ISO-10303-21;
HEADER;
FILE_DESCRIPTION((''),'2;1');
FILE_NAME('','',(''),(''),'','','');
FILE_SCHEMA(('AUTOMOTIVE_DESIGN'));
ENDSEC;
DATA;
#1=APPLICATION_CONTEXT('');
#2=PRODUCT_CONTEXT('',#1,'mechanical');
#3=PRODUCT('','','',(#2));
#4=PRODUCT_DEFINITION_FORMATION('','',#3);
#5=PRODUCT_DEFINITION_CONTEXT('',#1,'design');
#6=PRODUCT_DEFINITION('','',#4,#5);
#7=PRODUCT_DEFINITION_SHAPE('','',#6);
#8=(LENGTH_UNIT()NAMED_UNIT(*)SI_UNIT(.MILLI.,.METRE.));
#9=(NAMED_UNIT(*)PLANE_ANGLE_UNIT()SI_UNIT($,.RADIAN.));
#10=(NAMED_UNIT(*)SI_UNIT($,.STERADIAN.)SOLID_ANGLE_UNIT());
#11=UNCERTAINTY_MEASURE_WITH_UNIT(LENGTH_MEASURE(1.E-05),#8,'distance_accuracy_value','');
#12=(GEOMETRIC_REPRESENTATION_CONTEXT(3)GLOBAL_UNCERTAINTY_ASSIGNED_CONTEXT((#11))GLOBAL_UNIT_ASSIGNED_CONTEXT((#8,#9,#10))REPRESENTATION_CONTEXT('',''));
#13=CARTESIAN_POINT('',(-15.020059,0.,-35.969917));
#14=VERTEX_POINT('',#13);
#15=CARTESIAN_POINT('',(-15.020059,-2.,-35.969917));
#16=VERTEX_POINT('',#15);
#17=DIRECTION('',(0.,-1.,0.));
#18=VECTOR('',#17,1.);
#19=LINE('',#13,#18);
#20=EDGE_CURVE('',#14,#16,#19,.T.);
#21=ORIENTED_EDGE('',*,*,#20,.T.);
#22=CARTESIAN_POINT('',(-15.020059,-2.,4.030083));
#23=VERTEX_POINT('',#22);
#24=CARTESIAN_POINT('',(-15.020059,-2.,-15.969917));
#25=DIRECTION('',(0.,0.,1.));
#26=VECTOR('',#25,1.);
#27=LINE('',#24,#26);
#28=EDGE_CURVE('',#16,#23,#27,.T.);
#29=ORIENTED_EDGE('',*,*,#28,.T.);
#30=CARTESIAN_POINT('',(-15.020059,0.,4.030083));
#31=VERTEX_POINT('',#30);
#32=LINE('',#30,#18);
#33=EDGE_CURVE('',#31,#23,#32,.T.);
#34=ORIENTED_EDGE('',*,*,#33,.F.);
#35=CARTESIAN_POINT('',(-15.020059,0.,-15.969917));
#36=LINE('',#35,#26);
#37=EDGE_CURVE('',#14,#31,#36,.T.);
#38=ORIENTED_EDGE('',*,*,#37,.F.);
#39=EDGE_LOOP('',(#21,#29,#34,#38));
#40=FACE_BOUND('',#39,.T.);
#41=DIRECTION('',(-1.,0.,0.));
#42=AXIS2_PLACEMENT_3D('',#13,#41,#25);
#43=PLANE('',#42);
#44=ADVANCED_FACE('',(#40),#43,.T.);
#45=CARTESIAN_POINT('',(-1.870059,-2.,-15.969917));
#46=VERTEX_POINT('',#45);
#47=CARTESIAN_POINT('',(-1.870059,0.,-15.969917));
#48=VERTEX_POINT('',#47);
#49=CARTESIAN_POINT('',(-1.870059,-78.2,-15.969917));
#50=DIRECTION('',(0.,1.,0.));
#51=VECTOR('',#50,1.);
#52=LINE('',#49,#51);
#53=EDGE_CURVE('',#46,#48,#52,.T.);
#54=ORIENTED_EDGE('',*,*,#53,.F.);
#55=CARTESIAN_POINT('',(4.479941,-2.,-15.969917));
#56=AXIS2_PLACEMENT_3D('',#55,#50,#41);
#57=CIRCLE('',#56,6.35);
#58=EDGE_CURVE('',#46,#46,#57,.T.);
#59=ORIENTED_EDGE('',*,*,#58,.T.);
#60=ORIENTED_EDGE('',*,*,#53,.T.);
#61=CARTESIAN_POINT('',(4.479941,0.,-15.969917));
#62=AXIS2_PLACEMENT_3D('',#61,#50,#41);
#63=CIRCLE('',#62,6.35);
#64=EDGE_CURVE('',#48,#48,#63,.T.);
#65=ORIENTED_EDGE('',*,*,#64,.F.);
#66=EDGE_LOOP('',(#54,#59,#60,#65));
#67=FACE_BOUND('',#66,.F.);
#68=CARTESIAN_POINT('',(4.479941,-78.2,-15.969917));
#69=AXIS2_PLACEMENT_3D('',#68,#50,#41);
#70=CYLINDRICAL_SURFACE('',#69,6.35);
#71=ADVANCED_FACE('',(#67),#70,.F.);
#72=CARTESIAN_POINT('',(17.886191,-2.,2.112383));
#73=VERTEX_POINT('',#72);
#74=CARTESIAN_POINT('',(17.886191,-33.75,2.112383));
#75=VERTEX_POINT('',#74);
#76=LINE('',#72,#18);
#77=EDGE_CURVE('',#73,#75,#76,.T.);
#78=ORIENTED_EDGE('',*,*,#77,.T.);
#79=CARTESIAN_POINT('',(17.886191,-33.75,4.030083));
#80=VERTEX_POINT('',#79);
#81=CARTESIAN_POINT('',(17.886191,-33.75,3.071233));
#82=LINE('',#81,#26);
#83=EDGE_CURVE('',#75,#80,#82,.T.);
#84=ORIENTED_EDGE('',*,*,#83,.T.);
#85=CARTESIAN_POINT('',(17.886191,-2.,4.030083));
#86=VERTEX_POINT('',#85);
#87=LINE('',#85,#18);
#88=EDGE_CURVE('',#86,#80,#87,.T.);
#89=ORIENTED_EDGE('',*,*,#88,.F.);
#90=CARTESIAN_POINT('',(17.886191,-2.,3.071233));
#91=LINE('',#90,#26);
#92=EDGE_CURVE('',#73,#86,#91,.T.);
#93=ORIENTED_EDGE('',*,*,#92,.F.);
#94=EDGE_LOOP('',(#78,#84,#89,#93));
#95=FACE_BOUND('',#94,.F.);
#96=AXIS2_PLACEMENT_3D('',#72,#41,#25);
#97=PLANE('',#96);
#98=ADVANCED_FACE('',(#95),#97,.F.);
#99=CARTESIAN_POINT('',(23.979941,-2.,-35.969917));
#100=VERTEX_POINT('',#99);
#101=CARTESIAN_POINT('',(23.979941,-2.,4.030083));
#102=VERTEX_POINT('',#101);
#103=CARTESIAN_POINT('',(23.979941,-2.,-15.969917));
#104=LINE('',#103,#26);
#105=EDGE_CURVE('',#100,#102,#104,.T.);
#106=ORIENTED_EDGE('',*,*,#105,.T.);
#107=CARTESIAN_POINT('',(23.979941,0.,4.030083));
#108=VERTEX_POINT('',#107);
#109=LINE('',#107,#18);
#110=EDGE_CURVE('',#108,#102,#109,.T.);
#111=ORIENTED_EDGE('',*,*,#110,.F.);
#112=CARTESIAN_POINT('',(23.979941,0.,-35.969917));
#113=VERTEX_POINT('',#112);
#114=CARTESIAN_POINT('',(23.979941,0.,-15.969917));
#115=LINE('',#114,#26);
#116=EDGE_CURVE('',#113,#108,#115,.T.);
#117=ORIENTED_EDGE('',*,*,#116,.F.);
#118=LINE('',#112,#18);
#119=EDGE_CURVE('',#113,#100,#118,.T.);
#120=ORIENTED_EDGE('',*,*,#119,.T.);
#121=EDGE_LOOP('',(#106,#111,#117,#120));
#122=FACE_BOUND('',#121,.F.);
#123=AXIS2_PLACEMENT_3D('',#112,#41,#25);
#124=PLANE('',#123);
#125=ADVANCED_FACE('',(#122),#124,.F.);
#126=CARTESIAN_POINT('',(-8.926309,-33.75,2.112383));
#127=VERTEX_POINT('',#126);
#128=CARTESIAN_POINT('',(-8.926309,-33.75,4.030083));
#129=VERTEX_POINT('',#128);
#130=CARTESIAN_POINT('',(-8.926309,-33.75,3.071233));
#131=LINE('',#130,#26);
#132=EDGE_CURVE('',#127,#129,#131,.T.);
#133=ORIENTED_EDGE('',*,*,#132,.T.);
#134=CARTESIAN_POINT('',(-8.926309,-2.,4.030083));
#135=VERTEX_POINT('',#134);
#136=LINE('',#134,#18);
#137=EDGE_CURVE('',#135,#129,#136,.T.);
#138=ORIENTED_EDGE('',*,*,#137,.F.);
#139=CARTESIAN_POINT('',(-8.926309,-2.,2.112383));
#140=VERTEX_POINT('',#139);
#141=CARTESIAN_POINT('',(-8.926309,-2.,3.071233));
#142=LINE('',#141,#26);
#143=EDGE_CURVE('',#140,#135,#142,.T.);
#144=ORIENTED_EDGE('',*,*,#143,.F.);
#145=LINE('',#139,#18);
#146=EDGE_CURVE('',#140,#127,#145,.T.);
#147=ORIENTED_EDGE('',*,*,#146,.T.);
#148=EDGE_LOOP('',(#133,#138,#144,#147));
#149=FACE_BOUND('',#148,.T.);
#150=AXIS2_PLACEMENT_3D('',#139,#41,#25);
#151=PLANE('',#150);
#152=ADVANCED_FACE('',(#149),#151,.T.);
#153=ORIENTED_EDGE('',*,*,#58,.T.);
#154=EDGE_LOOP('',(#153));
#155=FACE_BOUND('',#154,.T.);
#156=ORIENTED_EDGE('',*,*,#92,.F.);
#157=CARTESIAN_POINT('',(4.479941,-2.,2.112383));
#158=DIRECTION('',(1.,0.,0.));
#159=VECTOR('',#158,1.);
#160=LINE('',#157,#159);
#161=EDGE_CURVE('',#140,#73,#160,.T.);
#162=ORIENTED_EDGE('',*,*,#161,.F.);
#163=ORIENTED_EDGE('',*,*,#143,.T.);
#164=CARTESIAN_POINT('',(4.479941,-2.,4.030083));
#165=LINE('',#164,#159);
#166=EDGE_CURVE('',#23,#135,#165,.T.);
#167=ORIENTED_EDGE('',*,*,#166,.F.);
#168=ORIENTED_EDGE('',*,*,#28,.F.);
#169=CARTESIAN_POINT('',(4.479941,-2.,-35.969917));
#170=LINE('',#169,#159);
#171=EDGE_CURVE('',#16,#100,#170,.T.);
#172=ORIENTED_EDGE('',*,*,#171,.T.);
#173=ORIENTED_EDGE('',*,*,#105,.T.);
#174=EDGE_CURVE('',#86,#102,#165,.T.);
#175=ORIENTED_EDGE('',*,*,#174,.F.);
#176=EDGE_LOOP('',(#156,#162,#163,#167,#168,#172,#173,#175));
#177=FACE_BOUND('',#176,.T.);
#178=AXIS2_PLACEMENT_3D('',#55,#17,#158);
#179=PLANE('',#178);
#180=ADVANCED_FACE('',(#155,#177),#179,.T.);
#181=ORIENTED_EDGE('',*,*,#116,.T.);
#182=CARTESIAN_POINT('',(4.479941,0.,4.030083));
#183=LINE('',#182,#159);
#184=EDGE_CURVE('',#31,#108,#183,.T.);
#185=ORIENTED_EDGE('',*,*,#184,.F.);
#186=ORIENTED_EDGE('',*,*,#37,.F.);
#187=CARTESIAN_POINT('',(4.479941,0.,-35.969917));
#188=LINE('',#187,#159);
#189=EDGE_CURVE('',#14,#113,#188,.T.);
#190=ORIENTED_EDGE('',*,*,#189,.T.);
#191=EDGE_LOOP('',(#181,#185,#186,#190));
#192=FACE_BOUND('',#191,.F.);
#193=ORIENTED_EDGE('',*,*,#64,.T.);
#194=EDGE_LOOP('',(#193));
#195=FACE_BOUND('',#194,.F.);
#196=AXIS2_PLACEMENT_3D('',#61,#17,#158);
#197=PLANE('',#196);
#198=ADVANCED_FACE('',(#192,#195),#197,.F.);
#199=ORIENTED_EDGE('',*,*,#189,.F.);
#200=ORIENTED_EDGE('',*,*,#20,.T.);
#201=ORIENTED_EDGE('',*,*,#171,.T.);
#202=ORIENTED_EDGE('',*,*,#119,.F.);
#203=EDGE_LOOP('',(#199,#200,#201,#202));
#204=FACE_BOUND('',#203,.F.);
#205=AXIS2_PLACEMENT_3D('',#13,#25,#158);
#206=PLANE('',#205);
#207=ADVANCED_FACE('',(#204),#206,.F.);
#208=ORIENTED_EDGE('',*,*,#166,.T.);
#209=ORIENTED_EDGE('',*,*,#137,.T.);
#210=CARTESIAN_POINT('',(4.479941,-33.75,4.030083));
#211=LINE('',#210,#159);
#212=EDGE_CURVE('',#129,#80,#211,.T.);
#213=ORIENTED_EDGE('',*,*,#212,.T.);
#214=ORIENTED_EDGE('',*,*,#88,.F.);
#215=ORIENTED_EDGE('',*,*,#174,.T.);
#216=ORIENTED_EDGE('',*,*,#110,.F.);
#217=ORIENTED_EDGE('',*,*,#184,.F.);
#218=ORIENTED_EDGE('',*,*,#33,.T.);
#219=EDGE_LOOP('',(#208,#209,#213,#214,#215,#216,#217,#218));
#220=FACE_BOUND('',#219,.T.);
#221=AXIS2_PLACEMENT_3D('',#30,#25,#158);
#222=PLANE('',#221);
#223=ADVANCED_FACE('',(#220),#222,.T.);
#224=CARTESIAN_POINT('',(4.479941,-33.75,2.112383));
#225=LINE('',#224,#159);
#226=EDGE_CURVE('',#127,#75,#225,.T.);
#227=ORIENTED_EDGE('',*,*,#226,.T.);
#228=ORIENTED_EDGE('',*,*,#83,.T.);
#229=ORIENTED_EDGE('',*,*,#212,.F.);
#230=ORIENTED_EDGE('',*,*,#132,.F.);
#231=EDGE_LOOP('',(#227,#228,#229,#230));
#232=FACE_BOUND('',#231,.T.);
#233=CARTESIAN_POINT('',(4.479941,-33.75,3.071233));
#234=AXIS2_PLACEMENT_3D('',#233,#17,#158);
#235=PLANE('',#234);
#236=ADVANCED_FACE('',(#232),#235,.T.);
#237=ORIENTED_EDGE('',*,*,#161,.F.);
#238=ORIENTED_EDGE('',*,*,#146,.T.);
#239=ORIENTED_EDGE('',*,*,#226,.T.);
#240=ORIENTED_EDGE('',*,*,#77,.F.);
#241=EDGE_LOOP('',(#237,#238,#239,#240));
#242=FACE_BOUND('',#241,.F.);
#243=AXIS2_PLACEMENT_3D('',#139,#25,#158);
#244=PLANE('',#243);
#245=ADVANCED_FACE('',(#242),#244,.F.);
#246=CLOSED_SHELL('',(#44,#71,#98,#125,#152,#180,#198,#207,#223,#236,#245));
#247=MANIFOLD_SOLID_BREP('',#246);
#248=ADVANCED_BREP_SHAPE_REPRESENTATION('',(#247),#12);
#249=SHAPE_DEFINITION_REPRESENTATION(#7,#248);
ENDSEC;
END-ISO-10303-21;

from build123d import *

# Parameters (mm, degrees)
F0_W     = 39
F0_H     = 40
F1_DEPTH = 2
F2_W     = 26.8125
F2_H     = 1.9177
F3_DEPTH = 31.75
F5_D     = 12.7
F5_DEPTH = 76.2


with BuildPart() as f1:
    # F0 (on Front) → F1 (new body)
    with BuildSketch(Plane.XZ):
        with Locations((4.479941, -15.969917)):
            Rectangle(F0_W, F0_H)
    extrude(amount=F1_DEPTH)

    # F2 (on face) → F3 (join)
    with BuildSketch(Plane.XZ.offset(2)):
        with Locations((4.479941, 3.071233)):
            Rectangle(F2_W, F2_H)
    extrude(amount=F3_DEPTH)

    # F5
    with Locations(Plane.XZ.offset(2)):
        with Locations((4.479941, -15.969917)):
            Hole(F5_D / 2, depth=F5_DEPTH)


solid = f1.part
